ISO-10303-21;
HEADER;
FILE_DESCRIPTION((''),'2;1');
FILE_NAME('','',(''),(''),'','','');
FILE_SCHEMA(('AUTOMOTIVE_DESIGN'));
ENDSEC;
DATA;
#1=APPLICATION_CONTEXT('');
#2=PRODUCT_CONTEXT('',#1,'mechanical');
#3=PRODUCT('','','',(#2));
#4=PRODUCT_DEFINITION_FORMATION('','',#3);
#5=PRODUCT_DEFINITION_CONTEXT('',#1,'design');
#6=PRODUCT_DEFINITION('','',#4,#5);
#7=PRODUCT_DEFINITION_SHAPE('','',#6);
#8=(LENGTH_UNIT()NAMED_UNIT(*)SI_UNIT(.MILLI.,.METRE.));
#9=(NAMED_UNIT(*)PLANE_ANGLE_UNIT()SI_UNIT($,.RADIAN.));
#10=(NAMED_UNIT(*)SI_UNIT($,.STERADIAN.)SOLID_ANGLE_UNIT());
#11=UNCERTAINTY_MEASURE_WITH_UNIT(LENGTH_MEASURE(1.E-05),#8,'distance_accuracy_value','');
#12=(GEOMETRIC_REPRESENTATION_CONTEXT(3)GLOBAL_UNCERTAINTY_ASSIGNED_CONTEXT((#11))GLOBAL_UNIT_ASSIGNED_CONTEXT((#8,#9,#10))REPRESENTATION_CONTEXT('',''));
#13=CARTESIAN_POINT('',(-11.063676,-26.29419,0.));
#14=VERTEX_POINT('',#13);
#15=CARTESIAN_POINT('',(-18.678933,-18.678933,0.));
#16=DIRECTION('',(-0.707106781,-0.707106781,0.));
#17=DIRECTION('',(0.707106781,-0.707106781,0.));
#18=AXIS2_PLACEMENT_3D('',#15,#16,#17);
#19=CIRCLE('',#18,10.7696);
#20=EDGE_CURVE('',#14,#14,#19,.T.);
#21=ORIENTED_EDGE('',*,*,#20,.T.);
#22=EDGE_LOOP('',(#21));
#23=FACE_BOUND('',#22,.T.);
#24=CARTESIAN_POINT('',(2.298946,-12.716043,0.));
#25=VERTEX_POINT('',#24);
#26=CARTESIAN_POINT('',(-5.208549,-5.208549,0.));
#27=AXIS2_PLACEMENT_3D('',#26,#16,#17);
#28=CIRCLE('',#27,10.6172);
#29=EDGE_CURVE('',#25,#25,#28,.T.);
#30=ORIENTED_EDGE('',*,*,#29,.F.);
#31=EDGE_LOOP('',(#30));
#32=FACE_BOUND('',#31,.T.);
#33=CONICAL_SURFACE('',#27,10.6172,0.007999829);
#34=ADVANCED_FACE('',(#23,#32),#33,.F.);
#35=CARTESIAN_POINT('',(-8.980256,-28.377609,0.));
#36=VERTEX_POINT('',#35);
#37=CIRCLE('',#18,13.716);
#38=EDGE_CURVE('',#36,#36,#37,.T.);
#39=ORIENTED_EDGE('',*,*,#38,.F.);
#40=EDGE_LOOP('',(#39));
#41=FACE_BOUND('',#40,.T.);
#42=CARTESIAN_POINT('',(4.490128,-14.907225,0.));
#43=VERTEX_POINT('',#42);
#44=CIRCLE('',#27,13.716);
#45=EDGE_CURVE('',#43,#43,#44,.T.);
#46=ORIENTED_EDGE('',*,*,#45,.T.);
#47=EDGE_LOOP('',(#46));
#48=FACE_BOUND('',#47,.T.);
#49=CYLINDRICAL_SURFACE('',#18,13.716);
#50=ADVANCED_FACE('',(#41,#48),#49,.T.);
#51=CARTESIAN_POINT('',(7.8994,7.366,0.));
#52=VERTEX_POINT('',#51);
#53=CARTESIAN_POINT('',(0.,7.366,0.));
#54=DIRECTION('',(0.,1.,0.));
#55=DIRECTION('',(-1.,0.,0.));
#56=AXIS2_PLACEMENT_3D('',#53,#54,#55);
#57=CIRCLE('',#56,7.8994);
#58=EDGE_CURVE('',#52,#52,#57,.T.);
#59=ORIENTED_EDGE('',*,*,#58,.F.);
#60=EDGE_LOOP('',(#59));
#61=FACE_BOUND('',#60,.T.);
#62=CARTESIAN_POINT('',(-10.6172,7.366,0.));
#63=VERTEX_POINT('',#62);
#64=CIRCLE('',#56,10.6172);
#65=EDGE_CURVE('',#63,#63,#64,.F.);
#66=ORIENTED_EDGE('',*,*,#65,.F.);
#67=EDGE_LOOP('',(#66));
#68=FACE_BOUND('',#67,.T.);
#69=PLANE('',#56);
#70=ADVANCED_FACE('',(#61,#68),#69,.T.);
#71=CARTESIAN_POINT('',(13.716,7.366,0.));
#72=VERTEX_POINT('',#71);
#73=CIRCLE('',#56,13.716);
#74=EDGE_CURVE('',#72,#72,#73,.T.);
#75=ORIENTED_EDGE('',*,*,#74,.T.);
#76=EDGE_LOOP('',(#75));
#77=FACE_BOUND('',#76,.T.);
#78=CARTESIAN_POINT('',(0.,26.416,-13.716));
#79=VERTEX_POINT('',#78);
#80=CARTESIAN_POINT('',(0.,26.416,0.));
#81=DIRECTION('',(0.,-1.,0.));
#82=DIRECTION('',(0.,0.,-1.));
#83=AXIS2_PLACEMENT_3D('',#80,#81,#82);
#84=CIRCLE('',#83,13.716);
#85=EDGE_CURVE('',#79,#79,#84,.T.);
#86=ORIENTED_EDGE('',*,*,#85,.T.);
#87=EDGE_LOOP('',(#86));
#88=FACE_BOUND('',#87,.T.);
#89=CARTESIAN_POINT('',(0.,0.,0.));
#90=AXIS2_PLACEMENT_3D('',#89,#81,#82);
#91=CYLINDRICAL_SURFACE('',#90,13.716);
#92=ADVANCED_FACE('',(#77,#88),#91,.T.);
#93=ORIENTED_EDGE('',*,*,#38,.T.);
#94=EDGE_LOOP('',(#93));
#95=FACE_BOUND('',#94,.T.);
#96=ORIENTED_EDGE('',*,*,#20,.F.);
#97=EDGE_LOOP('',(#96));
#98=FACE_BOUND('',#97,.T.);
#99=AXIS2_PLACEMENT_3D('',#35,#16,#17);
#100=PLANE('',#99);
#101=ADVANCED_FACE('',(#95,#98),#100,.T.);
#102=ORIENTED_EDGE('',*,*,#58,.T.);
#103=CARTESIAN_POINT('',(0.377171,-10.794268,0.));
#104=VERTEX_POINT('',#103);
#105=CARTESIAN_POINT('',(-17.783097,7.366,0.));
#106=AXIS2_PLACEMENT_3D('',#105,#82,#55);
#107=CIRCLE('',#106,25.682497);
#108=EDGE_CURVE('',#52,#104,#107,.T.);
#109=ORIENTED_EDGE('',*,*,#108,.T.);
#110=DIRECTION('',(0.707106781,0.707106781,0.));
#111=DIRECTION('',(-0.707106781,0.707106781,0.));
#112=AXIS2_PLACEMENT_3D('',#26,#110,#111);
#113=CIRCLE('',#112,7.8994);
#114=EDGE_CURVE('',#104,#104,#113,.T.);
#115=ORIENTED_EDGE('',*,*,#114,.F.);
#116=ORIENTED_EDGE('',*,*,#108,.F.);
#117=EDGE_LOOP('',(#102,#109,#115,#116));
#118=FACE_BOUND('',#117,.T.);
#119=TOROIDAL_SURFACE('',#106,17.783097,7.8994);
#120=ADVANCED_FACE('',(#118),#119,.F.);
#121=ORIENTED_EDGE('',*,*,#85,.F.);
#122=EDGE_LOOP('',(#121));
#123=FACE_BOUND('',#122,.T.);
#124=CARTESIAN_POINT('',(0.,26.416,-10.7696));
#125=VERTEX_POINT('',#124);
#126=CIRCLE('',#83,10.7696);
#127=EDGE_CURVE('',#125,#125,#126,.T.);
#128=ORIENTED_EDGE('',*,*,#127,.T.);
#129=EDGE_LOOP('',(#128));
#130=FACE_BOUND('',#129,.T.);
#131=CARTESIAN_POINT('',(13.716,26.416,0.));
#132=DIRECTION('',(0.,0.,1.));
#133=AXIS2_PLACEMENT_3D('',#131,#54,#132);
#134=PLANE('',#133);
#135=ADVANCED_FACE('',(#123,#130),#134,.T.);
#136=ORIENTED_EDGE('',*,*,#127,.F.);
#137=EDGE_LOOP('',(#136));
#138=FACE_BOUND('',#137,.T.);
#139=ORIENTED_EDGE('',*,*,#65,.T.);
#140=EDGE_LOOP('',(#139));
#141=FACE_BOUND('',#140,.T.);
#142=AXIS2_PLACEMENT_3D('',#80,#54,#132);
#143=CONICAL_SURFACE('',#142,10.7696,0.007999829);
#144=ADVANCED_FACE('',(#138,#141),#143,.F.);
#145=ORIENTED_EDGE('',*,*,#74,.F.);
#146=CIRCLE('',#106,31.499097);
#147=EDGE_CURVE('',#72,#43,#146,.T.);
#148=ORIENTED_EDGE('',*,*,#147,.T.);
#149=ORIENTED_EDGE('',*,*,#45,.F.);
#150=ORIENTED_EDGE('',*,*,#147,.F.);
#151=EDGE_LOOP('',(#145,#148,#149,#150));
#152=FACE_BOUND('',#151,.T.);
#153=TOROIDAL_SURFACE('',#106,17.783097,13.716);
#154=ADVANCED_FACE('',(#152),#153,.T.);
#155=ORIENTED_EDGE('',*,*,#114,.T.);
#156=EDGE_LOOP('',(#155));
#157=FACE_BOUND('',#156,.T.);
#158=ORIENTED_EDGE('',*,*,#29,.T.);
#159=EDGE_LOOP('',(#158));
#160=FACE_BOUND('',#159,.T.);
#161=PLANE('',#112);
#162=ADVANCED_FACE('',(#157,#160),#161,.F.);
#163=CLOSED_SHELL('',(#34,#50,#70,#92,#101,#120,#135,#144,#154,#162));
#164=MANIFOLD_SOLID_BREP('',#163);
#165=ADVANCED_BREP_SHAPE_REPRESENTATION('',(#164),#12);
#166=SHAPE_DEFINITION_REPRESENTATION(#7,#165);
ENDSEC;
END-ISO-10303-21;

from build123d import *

# Parameters (mm, degrees)
SKETCH3_R   = 13.716
SKETCH3_R_2 = 7.8994


with BuildPart() as part:
    # Sketch1 → Revolve1 (revolve)
    with BuildSketch(Plane.XY):
        Polygon((-8.980256121, -28.377609343), (4.490128061, -14.907225161), (2.298945567, -12.716042667), (-11.063675541, -26.294189922), align=None)
    revolve(axis=Axis((-18.678932732, -18.678932732, 0), (0.707106781, 0.707106781, 0)))



with BuildPart() as body_2:
    # Sketch2 → Revolve2 (revolve)
    with BuildSketch(Plane.XY):
        Polygon((10.7696, 26.416), (10.6172, 7.366), (13.716, 7.366), (13.716, 26.416), align=None)
    revolve(axis=Axis((0, 0, 0), (0, 1, 0)))


with BuildPart() as part_1:
    add(part.part)

    add(body_2.part)  # Sweep1 merges body 2
    # Sweep1: sweep along a path in Sketch4
    with BuildLine(Plane.XY) as sweep1_path:
        ThreePointArc((-5.20854855, -5.20854855), (-1.353657665, 0.560703364), (0, 7.366))
    # Sketch3 → Sweep1 (sweep)
    with BuildSketch(Plane(origin=(-5.20854855, -5.20854855, 0), x_dir=(0, 0, -1), z_dir=(0.707106781, 0.707106781, 0))):
        Circle(SKETCH3_R)
        Circle(SKETCH3_R_2, mode=Mode.SUBTRACT)
    sweep(path=sweep1_path.line)


solid = part_1.part
